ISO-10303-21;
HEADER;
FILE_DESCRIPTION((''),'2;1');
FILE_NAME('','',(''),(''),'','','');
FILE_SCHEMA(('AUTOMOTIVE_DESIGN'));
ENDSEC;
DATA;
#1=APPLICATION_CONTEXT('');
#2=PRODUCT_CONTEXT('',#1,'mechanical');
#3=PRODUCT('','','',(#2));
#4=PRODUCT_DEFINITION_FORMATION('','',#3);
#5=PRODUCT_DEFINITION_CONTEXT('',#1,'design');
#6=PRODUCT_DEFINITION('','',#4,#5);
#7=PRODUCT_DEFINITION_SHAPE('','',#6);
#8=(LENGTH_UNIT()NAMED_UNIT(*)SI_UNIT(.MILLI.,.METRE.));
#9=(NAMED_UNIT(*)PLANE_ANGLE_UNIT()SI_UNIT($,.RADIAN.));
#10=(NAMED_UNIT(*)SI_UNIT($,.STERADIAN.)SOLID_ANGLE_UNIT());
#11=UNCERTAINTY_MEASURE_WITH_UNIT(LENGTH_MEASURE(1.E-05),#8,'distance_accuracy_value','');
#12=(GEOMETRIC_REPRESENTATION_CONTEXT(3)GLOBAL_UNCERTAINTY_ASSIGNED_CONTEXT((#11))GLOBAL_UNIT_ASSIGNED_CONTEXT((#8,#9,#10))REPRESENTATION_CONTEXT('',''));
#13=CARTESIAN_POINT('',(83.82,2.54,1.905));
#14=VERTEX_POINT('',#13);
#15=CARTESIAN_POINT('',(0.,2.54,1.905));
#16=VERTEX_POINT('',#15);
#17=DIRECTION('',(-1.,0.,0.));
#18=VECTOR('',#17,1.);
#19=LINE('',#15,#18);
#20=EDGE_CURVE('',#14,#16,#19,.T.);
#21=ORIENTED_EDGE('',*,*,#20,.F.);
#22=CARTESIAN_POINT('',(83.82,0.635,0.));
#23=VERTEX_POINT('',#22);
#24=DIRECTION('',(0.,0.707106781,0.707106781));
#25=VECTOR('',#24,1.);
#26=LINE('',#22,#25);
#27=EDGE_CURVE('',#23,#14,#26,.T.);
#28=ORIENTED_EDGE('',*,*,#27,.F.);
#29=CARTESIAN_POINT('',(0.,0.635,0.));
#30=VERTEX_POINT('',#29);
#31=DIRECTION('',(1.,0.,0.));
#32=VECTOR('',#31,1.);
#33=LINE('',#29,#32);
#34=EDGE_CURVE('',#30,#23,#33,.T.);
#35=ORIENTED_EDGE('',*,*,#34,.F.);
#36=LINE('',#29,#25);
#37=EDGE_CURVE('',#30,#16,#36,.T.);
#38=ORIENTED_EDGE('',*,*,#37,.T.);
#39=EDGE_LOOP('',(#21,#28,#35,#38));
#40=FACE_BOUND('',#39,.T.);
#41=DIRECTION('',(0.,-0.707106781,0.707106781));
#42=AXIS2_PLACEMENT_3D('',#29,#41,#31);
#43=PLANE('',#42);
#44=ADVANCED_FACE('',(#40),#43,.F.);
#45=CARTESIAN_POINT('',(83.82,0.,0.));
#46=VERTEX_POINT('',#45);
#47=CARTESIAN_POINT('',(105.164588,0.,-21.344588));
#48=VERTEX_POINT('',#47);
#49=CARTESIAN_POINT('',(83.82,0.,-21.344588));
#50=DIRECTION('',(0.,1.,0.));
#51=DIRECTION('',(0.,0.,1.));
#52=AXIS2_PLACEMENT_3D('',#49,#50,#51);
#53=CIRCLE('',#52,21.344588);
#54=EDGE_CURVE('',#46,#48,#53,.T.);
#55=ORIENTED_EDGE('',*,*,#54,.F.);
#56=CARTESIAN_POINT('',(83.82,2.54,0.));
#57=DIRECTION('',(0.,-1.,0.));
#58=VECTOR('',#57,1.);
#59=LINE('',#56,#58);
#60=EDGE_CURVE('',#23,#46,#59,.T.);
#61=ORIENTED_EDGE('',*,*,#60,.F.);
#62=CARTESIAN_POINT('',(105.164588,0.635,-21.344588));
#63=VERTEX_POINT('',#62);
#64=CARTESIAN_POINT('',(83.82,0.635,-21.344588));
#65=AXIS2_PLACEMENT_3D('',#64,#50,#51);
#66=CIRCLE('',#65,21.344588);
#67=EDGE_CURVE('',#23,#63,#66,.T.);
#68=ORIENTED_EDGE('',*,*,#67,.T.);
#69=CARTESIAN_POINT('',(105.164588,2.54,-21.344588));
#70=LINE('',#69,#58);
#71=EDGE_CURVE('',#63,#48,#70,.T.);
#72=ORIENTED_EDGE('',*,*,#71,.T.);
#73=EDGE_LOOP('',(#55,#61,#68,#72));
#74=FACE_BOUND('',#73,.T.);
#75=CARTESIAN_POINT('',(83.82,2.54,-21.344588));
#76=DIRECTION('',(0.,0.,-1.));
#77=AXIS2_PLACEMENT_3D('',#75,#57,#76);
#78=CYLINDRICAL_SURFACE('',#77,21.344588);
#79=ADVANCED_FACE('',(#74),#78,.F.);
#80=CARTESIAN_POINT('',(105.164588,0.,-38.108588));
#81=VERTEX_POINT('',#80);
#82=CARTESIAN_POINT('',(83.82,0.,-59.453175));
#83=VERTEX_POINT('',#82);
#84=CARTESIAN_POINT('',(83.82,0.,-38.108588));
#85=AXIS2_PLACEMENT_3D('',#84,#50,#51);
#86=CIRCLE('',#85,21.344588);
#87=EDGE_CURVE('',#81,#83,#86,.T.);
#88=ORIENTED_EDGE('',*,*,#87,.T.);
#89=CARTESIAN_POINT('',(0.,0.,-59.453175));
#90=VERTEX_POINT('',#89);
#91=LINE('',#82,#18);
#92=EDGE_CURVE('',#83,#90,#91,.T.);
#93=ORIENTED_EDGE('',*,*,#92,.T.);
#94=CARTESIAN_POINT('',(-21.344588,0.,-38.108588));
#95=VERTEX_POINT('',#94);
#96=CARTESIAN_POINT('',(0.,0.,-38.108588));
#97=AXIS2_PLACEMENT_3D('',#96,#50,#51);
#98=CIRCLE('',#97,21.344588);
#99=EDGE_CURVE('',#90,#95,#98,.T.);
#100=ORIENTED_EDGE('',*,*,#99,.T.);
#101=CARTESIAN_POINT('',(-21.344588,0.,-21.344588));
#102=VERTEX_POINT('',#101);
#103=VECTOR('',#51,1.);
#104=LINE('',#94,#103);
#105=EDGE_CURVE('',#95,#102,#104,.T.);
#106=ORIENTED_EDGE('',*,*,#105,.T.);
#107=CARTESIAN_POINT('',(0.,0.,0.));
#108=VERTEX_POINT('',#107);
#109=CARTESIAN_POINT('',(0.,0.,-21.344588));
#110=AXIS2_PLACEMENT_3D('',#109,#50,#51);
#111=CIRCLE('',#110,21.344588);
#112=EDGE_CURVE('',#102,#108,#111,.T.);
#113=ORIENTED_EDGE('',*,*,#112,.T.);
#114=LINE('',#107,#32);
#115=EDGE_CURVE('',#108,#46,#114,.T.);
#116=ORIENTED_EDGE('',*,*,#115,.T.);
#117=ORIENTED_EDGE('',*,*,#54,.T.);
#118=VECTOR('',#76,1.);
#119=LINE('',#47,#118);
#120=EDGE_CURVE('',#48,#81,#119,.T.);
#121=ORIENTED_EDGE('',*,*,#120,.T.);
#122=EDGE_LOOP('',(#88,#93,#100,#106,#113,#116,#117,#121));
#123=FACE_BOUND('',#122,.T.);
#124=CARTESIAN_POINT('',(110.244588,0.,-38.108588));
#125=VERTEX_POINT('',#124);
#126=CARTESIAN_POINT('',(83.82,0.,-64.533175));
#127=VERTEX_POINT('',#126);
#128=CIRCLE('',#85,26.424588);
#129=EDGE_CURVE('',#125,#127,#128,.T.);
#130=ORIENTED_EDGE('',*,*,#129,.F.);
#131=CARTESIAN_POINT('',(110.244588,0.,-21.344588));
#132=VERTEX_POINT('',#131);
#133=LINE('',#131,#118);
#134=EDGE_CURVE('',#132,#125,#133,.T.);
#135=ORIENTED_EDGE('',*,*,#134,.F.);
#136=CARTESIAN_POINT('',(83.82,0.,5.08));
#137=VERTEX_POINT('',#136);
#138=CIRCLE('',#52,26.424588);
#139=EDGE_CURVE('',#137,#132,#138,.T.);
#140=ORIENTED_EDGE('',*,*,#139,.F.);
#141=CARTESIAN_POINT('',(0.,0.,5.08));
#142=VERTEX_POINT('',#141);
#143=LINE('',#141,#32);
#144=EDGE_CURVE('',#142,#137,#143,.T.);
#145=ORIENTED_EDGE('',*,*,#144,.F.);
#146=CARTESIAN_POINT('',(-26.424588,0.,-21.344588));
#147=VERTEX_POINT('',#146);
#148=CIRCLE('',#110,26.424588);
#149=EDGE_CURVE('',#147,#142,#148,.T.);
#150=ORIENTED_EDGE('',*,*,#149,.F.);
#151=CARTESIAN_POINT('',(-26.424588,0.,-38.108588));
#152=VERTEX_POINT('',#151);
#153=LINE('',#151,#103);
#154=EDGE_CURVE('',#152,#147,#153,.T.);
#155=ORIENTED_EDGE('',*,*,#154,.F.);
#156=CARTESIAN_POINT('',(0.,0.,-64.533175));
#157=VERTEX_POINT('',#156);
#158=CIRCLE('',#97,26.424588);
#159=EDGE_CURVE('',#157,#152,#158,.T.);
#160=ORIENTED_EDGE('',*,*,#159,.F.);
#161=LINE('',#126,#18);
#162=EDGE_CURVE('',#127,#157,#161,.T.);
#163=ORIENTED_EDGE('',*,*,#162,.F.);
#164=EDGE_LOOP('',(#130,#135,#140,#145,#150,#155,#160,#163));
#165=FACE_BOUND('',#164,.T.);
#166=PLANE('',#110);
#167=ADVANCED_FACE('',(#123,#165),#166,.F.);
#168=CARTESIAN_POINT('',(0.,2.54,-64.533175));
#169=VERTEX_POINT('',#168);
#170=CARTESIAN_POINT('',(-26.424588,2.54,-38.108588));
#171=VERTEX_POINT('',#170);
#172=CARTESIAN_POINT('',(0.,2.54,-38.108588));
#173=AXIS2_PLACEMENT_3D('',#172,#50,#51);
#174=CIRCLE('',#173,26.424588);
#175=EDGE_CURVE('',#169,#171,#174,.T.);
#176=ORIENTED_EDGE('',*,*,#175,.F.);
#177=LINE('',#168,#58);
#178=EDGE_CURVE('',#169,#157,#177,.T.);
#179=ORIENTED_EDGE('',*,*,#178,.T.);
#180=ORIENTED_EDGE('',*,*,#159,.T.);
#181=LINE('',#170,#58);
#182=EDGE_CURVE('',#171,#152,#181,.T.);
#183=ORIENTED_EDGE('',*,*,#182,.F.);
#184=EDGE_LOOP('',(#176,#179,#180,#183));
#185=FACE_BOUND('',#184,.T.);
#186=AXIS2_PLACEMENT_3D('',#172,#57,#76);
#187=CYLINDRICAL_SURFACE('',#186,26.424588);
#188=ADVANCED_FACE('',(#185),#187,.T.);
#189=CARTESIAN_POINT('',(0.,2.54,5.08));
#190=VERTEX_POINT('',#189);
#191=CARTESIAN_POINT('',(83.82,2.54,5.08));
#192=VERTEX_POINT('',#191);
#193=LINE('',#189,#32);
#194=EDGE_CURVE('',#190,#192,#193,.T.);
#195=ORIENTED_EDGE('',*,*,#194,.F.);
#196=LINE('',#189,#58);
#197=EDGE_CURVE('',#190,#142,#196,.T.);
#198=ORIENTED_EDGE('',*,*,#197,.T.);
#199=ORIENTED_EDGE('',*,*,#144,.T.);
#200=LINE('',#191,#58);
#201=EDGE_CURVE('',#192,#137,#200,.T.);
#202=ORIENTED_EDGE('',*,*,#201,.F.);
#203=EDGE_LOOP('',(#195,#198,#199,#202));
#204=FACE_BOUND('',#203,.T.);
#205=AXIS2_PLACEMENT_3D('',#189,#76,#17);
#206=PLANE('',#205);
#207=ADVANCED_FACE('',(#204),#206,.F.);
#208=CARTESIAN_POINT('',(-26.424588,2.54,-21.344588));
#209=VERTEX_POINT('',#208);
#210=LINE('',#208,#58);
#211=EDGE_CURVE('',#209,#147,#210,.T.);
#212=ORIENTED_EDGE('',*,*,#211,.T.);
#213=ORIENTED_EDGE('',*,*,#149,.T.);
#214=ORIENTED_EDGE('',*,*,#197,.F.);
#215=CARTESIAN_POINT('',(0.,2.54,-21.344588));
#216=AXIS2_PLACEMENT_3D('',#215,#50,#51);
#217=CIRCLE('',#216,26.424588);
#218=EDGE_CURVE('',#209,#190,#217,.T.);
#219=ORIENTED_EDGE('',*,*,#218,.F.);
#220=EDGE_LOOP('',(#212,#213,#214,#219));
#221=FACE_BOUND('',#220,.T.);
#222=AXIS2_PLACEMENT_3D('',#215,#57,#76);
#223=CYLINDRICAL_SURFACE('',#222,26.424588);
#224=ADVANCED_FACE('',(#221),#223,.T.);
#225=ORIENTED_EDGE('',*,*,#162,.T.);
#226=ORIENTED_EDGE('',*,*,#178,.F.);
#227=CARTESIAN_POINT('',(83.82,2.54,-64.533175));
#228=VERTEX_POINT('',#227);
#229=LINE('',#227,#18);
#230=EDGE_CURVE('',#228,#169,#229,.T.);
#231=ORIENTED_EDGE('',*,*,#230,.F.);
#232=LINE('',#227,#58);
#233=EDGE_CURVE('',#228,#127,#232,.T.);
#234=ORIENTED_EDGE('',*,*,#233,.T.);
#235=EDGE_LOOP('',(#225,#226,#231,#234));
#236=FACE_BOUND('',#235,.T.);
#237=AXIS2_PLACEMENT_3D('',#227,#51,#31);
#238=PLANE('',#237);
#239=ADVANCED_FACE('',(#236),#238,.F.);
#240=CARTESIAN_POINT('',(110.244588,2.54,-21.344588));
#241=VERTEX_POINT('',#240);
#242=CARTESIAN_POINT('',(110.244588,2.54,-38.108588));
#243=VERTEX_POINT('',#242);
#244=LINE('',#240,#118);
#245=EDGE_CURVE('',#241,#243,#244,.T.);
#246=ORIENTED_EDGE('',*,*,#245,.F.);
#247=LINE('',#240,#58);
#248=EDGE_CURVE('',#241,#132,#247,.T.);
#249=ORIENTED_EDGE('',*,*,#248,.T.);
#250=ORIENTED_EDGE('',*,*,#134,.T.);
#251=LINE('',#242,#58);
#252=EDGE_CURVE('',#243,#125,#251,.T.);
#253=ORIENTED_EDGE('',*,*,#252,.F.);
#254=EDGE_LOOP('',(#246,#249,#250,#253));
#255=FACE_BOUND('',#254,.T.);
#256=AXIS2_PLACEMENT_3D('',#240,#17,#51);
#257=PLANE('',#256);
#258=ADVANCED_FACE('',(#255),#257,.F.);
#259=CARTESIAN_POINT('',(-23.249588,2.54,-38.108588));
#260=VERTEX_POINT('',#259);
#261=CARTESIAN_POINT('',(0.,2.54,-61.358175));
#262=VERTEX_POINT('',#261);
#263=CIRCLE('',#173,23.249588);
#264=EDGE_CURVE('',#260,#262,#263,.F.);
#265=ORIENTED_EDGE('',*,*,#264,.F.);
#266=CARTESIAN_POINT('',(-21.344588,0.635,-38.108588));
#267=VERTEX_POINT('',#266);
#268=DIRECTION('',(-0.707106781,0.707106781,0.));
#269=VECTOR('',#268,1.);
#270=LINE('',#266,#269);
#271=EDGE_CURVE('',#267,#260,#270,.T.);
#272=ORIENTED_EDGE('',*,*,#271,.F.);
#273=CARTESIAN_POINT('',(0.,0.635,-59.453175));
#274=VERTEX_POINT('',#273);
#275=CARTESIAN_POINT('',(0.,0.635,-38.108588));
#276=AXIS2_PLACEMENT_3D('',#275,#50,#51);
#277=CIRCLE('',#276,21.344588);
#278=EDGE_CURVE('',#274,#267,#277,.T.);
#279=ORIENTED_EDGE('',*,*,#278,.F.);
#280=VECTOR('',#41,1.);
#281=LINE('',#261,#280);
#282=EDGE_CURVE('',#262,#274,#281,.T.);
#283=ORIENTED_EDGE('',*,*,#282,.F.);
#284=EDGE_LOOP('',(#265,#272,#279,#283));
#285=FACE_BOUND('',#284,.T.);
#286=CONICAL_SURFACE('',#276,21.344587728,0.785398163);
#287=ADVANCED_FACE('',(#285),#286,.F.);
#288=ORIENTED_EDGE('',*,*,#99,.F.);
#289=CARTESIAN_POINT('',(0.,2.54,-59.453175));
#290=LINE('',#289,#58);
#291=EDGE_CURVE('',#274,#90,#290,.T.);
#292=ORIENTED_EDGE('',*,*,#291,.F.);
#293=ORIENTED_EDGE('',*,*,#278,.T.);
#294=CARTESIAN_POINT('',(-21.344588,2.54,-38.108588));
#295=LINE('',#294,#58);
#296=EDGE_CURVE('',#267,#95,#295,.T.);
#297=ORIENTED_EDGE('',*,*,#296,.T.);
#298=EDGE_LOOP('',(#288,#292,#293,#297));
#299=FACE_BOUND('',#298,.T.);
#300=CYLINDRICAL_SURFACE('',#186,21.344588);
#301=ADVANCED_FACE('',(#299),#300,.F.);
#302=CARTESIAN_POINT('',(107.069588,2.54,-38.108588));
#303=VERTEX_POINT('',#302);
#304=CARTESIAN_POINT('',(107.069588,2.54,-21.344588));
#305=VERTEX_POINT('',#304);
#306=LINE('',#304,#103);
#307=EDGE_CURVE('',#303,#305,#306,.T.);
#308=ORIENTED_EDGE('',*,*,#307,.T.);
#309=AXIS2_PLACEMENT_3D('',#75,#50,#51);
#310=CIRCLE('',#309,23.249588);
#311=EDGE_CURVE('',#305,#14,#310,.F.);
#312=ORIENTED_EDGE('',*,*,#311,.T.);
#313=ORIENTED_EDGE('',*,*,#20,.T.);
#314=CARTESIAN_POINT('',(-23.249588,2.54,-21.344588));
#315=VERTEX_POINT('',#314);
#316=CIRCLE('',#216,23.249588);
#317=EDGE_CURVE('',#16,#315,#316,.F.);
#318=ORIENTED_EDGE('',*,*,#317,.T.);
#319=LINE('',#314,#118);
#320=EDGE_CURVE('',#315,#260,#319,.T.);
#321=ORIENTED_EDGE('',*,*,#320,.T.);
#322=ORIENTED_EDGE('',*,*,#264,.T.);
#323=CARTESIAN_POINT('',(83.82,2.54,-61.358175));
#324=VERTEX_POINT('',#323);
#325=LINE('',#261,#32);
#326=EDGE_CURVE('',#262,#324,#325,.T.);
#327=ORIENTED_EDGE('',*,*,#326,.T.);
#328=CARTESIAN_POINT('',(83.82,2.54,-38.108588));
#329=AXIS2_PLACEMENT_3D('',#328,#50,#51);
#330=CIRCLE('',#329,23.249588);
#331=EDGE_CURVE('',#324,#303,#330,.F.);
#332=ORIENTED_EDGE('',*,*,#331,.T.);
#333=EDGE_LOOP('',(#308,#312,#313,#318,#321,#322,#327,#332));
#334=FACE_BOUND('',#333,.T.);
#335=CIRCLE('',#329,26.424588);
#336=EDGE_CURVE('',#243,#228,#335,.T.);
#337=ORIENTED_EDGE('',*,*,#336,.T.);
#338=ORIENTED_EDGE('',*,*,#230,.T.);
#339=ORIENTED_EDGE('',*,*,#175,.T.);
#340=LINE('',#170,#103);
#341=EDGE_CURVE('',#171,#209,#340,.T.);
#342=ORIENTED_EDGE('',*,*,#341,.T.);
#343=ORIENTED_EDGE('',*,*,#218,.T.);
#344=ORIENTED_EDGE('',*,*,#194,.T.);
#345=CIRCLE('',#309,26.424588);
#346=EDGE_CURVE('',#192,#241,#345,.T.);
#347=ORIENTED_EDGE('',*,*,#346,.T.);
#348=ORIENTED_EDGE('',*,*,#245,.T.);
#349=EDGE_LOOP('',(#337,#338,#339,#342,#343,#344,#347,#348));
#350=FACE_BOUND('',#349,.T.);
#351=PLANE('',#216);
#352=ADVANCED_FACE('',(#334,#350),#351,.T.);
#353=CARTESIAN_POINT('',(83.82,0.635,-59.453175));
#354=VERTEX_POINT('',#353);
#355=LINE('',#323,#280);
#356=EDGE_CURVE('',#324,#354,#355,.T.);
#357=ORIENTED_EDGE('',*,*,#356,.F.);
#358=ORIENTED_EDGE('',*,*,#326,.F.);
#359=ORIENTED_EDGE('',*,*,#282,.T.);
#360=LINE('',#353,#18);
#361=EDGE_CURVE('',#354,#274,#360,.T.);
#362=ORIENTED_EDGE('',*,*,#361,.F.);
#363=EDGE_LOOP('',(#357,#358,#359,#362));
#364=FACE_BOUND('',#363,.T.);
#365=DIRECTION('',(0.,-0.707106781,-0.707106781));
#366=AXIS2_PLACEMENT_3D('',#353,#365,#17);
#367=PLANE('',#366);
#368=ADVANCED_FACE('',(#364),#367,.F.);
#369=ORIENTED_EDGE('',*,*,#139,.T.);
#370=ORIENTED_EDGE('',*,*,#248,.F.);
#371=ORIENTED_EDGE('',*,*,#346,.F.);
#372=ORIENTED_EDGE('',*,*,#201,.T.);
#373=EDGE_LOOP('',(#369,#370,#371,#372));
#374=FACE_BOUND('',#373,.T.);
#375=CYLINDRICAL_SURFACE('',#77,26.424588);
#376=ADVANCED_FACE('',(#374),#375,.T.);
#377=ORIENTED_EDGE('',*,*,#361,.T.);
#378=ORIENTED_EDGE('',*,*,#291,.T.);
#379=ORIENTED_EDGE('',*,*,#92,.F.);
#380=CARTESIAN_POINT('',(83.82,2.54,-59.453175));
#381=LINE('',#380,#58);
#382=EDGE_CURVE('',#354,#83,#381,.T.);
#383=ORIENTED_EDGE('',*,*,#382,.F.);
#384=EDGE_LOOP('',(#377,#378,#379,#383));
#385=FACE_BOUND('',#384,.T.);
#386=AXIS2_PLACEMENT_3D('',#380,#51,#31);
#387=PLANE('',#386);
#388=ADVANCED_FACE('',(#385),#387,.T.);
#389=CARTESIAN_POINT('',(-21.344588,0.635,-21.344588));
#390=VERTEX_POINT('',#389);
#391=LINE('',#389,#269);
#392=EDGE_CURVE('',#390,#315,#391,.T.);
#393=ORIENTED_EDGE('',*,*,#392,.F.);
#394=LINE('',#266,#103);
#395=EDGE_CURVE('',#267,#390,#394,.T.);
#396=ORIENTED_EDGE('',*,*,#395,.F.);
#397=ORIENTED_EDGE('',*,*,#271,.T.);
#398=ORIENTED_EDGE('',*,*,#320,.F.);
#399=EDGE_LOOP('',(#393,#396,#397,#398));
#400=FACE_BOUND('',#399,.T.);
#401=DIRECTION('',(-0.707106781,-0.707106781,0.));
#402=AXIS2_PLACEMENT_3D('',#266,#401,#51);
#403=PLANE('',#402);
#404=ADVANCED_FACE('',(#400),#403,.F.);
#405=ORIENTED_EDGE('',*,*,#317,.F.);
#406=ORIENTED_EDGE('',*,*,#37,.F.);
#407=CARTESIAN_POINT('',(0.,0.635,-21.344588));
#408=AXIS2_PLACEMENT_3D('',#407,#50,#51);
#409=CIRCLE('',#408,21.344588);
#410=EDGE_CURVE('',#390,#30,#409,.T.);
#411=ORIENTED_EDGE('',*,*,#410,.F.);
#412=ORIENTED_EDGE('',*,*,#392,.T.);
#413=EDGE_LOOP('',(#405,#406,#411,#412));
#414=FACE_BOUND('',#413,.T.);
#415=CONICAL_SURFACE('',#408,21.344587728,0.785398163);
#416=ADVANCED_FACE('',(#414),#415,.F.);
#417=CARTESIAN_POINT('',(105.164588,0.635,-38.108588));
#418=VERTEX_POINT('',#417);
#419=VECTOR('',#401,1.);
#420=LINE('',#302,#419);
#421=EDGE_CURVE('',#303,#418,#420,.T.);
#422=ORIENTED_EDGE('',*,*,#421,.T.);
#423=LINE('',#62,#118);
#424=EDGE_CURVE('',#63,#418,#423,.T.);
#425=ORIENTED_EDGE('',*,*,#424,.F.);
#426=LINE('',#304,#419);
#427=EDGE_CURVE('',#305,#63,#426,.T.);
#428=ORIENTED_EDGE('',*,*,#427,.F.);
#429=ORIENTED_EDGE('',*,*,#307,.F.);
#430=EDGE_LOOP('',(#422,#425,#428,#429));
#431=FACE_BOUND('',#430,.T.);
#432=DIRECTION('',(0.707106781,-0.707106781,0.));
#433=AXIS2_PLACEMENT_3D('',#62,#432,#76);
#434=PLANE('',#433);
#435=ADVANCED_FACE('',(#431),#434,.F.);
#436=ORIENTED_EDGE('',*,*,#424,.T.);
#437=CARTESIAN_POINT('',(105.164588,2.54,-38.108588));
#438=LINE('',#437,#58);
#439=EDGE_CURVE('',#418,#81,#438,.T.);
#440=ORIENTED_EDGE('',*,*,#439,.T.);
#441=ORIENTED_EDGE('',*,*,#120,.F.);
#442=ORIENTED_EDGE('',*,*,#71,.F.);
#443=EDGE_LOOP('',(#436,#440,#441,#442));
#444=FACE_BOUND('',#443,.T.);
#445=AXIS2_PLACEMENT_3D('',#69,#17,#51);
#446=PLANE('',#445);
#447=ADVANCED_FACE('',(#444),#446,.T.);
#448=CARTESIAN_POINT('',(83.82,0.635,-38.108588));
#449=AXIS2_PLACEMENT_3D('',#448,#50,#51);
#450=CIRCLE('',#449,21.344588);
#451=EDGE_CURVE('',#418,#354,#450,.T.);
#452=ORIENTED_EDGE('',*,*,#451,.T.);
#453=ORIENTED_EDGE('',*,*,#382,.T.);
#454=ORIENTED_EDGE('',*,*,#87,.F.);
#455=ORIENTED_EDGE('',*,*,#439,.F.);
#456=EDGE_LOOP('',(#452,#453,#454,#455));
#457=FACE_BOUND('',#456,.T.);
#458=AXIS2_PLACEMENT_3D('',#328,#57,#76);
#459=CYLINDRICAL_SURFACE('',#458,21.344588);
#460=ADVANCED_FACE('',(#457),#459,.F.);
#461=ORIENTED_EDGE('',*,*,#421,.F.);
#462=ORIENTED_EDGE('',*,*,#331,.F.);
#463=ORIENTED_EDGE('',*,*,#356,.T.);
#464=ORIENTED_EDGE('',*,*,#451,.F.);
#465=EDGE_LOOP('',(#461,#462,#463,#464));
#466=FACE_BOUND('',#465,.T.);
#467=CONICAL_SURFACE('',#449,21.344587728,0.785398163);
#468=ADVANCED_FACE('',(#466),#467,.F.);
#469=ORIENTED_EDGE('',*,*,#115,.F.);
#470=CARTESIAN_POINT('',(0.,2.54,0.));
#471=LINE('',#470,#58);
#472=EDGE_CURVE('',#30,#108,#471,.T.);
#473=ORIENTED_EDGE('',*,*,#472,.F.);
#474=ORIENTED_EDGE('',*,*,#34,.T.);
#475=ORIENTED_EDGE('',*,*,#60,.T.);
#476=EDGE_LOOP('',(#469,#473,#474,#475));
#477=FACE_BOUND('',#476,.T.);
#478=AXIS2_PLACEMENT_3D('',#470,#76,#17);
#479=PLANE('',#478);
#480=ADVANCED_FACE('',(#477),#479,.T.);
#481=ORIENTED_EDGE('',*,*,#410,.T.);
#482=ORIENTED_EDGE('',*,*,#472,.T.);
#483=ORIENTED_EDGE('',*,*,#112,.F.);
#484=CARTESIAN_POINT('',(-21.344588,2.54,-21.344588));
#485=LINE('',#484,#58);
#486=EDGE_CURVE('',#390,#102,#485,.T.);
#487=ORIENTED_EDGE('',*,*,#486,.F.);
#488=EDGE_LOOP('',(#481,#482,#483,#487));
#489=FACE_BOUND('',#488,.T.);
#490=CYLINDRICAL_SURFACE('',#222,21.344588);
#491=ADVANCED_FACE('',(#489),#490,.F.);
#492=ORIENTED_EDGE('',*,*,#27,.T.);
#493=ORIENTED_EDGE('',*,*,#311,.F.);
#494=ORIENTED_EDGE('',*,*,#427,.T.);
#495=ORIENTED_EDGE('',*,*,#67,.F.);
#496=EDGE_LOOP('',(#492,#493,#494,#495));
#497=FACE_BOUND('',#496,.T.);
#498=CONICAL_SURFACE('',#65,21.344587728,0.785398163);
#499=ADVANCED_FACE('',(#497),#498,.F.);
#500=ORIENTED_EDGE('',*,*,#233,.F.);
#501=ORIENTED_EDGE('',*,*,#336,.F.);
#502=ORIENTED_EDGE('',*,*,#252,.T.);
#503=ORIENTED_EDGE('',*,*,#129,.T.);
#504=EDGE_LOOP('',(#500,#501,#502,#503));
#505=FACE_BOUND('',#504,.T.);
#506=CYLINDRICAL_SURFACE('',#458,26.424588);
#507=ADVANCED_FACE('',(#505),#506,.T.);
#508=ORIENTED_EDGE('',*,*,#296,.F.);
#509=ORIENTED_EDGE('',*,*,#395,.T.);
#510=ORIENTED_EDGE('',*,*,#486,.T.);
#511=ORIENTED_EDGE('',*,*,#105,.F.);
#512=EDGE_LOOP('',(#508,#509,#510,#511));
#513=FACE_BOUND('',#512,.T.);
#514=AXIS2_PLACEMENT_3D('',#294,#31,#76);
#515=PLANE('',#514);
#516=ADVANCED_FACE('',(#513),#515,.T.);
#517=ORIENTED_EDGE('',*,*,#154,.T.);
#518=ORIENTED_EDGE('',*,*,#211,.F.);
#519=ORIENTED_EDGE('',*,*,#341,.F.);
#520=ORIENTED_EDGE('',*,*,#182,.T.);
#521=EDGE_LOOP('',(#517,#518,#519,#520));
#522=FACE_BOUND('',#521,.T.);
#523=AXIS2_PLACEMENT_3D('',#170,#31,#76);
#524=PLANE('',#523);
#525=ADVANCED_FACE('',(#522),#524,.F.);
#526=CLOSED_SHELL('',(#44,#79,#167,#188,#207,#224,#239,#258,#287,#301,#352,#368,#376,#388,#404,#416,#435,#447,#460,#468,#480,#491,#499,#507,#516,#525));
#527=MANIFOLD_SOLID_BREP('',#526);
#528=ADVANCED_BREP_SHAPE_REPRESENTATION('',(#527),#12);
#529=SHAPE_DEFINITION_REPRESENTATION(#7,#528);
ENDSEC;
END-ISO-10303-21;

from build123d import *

# Parameters (mm, degrees)
BOSS_EXTRUDE1_DEPTH = 2.54
CHAMFER1_SIZE       = 1.905


with BuildPart() as part:
    # Sketch1 → Boss-Extrude1 (new body)
    with BuildSketch(Plane(origin=(0, 0, 0), x_dir=(1, 0, 0), z_dir=(0, 1, 0))):
        with BuildLine():
            Line((0, -5.08), (83.82, -5.08))
            ThreePointArc((83.82, -5.08), (102.505005172, 2.659582555), (110.244587728, 21.344587728))
            Line((110.244587728, 21.344587728), (110.244587728, 38.108587728))
            ThreePointArc((110.244587728, 38.108587728), (102.505005172, 56.7935929), (83.82, 64.533175456))
            Line((83.82, 64.533175456), (0, 64.533175456))
            ThreePointArc((0, 64.533175456), (-18.685005172, 56.7935929), (-26.424587728, 38.108587728))
            Line((-26.424587728, 38.108587728), (-26.424587728, 21.344587728))
            ThreePointArc((-26.424587728, 21.344587728), (-18.685005172, 2.659582555), (0, -5.08))
        make_face()
        with BuildLine():
            Line((0, 0), (83.82, 0))
            ThreePointArc((83.82, 0), (98.912902724, 6.251685004), (105.164587728, 21.344587728))
            Line((105.164587728, 21.344587728), (105.164587728, 38.108587728))
            ThreePointArc((105.164587728, 38.108587728), (98.912902724, 53.201490452), (83.82, 59.453175456))
            Line((83.82, 59.453175456), (0, 59.453175456))
            ThreePointArc((0, 59.453175456), (-15.092902724, 53.201490452), (-21.344587728, 38.108587728))
            Line((-21.344587728, 38.108587728), (-21.344587728, 21.344587728))
            ThreePointArc((-21.344587728, 21.344587728), (-15.092902724, 6.251685004), (0, 0))
        make_face(mode=Mode.SUBTRACT)
    extrude(amount=BOSS_EXTRUDE1_DEPTH)

    # Chamfer1
    chamfer1_edges = [part.edges().sort_by_distance(p)[0] for p in [
        (-15.092902724, 2.54, -6.251685004),
        (41.91, 2.54, 0),
        (98.912902724, 2.54, -6.251685004),
        (105.164587728, 2.54, -29.726587728),
        (98.912902724, 2.54, -53.201490452),
        (41.91, 2.54, -59.453175456),
        (-15.092902724, 2.54, -53.201490452),
        (-21.344587728, 2.54, -29.726587728),
    ]]
    chamfer(chamfer1_edges, length=CHAMFER1_SIZE)


solid = part.part
